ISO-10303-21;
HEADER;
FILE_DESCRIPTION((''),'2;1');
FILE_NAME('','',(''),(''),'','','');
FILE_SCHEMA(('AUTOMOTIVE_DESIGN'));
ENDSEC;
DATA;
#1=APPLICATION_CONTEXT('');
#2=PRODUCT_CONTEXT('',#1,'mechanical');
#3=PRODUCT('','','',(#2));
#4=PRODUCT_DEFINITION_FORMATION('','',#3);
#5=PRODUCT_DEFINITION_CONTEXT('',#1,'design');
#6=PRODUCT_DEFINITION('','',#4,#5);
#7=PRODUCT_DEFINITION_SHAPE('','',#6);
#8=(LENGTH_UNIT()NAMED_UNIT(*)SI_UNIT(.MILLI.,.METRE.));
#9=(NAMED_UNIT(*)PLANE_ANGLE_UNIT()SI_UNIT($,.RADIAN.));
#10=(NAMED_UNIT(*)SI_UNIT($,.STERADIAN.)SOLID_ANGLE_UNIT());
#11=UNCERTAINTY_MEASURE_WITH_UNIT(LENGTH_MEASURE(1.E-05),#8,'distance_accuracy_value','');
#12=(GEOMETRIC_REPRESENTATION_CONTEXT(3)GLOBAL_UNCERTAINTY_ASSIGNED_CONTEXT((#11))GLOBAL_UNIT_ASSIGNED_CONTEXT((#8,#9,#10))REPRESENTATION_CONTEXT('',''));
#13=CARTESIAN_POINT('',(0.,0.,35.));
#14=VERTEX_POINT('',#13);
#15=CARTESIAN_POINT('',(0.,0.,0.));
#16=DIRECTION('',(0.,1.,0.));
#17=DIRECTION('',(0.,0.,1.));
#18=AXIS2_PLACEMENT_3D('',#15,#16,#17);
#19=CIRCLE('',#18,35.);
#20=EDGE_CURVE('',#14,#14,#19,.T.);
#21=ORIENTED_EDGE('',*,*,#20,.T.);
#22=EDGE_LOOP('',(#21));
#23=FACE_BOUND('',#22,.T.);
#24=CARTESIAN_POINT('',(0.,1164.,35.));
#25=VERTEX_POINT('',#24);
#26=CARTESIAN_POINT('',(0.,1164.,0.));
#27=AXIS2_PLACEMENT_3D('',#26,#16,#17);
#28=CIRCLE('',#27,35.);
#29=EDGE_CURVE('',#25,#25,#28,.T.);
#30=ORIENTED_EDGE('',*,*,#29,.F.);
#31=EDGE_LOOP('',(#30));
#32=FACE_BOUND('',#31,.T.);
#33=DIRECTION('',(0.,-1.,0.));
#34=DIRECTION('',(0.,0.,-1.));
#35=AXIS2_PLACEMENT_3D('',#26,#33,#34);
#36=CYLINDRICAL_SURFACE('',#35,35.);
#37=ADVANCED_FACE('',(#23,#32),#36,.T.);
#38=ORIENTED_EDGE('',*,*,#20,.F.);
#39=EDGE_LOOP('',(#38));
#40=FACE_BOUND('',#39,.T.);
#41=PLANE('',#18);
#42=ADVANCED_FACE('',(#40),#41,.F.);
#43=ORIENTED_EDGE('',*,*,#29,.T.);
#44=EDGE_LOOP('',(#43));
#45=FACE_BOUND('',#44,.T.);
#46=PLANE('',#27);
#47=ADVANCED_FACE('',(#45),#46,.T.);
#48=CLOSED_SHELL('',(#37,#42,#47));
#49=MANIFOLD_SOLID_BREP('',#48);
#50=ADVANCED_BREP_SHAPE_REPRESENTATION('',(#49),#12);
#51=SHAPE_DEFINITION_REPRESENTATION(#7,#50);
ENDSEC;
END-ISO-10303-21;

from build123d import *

# Parameters (mm, degrees)
SKETCH_1_R      = 35
EXTRUDE_1_DEPTH = 1164


with BuildPart() as part:
    # 草图1 → 凸台-拉伸1 (new body)
    with BuildSketch(Plane(origin=(0, 0, 0), x_dir=(1, 0, 0), z_dir=(0, 1, 0))):
        with Locations(Location((0, 0, 0), (0, 0, 270))):
            Circle(SKETCH_1_R)
    extrude(amount=EXTRUDE_1_DEPTH)


solid = part.part
